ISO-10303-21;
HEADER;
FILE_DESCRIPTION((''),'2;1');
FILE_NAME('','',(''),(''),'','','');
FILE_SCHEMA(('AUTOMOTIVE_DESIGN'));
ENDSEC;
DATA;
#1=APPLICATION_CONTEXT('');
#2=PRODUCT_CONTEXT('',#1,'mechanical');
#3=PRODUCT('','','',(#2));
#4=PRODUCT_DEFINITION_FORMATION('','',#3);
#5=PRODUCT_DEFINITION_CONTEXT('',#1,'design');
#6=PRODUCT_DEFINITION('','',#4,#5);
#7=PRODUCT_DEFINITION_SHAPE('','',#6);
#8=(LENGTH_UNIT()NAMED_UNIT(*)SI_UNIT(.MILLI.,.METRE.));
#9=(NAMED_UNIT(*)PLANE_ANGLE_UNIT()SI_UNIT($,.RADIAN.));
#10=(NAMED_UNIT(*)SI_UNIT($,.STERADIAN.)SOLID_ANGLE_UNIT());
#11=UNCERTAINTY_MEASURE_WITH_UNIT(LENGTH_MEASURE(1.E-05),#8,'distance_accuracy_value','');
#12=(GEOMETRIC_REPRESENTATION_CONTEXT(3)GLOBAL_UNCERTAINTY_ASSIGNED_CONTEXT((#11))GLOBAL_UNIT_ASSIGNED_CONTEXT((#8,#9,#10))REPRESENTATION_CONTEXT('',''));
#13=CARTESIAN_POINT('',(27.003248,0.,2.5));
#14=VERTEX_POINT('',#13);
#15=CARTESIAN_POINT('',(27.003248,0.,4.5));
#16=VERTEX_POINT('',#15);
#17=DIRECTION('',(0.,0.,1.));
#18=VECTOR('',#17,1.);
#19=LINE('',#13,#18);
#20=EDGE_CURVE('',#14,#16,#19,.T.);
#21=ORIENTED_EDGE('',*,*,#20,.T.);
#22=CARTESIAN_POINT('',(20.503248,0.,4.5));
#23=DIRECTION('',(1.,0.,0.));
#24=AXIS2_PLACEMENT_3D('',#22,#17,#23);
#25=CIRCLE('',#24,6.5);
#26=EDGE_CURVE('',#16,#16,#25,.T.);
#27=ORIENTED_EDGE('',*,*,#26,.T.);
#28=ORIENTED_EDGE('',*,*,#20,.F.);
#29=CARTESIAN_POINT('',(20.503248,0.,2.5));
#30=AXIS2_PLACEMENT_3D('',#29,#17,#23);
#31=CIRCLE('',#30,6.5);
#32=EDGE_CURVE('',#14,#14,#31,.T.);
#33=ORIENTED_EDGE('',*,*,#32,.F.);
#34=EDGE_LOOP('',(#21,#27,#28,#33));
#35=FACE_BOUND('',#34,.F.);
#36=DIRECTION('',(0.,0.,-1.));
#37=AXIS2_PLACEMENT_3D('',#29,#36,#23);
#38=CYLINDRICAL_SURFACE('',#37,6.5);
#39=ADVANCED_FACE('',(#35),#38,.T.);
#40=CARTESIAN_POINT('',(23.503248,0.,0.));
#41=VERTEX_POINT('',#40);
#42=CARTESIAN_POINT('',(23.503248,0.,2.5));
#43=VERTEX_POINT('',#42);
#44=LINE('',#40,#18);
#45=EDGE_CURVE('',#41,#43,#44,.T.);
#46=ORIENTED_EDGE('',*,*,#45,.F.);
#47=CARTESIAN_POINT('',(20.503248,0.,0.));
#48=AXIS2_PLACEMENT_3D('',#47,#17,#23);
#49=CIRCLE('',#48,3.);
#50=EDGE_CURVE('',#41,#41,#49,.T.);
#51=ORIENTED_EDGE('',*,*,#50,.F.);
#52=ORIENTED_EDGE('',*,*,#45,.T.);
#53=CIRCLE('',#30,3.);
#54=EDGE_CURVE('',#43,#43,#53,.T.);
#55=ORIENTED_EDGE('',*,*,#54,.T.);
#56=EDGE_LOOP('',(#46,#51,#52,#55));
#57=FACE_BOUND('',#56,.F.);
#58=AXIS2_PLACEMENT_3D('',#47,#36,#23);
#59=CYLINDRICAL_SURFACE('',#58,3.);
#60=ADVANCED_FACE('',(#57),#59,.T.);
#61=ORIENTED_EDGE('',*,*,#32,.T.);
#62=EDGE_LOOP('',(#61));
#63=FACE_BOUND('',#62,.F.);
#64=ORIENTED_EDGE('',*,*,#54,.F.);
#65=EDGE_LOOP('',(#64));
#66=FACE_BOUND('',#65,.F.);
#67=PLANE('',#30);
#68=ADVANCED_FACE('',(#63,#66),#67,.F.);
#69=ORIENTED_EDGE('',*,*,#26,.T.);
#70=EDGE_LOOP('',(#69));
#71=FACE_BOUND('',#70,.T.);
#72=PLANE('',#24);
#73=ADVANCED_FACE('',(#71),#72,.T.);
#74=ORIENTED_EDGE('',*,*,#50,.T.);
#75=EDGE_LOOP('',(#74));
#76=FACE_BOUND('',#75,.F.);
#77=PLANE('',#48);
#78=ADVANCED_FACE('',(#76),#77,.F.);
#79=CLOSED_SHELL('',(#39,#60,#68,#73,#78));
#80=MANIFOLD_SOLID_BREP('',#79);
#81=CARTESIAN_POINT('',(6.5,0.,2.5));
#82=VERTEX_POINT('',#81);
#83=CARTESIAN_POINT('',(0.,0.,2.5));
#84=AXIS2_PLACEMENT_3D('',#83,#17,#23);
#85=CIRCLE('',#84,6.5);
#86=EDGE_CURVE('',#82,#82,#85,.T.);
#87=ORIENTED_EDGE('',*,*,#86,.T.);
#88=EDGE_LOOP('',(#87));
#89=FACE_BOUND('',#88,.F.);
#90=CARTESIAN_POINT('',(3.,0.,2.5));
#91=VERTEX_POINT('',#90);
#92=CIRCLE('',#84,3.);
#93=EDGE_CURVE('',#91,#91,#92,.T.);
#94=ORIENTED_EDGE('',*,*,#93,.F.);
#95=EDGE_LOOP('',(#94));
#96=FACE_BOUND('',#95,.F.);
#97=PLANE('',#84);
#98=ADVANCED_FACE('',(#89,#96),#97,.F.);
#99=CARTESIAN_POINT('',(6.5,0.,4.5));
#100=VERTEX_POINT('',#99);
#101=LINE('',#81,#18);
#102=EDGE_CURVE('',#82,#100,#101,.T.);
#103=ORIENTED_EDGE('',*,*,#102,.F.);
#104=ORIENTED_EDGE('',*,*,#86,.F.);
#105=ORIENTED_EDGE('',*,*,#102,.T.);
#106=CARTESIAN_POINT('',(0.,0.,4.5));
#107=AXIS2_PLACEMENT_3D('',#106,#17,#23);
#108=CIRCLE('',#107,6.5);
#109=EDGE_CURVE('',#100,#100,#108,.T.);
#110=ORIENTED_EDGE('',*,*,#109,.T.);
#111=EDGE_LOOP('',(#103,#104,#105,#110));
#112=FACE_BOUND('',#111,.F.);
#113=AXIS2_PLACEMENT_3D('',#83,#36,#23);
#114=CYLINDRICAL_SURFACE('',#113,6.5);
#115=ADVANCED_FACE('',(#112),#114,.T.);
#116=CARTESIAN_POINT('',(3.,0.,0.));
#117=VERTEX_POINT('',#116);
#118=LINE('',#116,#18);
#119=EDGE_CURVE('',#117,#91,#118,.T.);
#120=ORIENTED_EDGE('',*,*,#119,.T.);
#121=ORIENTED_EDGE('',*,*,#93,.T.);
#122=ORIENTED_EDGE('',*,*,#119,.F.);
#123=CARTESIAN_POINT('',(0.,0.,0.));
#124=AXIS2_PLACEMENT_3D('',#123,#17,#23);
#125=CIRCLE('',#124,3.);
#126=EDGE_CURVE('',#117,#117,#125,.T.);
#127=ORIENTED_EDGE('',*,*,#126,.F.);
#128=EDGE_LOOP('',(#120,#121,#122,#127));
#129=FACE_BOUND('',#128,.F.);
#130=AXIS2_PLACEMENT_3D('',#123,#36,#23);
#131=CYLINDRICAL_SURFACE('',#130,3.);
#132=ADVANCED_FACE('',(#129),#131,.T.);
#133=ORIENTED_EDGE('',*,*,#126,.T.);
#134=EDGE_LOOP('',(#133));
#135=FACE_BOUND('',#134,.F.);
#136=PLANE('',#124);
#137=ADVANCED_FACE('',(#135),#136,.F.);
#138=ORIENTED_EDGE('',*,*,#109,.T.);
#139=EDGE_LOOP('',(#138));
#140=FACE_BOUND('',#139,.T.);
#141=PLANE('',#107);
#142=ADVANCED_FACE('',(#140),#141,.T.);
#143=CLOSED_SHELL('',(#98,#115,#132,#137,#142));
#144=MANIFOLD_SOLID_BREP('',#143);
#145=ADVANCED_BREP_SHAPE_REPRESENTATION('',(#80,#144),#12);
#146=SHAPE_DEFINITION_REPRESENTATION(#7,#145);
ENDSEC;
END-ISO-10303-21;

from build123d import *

# Parameters (mm, degrees)
F0_R      = 3
F1_DEPTH  = 2.5
F2_R      = 6.5
F2_R_2    = 3
F1_FACE_R = 3
F3_DEPTH  = 2
F4_R      = 3
F5_DEPTH  = 2.5
F6_R      = 6.5
F6_R_2    = 3
F7_DEPTH  = 2


with BuildPart() as f1:
    # F0 (on Top) → F1 (new body)
    with BuildSketch(Plane.XY):
        Circle(F0_R)
    extrude(amount=F1_DEPTH)

    # F2 (on face) + F1_face (on face) → F3 (join)
    with BuildSketch(Plane.XY.offset(2.5)):
        Circle(F2_R)
        Circle(F2_R_2, mode=Mode.SUBTRACT)
        Circle(F2_R_2)
    with BuildSketch(Plane.XY.offset(2.5)):
        Circle(F1_FACE_R)
    extrude(amount=F3_DEPTH)


with BuildPart() as f5:
    # F4 (on Top) → F5 (new body)
    with BuildSketch(Plane.XY):
        with Locations((20.503248, 0)):
            Circle(F4_R)
    extrude(amount=F5_DEPTH)

    # F6 (on face) → F7 (join)
    with BuildSketch(Plane.XY.offset(2.5)):
        with Locations((20.503248, 0)):
            Circle(F6_R)
        with Locations((20.503248, 0)):
            Circle(F6_R_2, mode=Mode.SUBTRACT)
        with Locations((20.503248, 0)):
            Circle(F6_R_2)
    extrude(amount=F7_DEPTH)


solid = Compound([f1.part, f5.part])
